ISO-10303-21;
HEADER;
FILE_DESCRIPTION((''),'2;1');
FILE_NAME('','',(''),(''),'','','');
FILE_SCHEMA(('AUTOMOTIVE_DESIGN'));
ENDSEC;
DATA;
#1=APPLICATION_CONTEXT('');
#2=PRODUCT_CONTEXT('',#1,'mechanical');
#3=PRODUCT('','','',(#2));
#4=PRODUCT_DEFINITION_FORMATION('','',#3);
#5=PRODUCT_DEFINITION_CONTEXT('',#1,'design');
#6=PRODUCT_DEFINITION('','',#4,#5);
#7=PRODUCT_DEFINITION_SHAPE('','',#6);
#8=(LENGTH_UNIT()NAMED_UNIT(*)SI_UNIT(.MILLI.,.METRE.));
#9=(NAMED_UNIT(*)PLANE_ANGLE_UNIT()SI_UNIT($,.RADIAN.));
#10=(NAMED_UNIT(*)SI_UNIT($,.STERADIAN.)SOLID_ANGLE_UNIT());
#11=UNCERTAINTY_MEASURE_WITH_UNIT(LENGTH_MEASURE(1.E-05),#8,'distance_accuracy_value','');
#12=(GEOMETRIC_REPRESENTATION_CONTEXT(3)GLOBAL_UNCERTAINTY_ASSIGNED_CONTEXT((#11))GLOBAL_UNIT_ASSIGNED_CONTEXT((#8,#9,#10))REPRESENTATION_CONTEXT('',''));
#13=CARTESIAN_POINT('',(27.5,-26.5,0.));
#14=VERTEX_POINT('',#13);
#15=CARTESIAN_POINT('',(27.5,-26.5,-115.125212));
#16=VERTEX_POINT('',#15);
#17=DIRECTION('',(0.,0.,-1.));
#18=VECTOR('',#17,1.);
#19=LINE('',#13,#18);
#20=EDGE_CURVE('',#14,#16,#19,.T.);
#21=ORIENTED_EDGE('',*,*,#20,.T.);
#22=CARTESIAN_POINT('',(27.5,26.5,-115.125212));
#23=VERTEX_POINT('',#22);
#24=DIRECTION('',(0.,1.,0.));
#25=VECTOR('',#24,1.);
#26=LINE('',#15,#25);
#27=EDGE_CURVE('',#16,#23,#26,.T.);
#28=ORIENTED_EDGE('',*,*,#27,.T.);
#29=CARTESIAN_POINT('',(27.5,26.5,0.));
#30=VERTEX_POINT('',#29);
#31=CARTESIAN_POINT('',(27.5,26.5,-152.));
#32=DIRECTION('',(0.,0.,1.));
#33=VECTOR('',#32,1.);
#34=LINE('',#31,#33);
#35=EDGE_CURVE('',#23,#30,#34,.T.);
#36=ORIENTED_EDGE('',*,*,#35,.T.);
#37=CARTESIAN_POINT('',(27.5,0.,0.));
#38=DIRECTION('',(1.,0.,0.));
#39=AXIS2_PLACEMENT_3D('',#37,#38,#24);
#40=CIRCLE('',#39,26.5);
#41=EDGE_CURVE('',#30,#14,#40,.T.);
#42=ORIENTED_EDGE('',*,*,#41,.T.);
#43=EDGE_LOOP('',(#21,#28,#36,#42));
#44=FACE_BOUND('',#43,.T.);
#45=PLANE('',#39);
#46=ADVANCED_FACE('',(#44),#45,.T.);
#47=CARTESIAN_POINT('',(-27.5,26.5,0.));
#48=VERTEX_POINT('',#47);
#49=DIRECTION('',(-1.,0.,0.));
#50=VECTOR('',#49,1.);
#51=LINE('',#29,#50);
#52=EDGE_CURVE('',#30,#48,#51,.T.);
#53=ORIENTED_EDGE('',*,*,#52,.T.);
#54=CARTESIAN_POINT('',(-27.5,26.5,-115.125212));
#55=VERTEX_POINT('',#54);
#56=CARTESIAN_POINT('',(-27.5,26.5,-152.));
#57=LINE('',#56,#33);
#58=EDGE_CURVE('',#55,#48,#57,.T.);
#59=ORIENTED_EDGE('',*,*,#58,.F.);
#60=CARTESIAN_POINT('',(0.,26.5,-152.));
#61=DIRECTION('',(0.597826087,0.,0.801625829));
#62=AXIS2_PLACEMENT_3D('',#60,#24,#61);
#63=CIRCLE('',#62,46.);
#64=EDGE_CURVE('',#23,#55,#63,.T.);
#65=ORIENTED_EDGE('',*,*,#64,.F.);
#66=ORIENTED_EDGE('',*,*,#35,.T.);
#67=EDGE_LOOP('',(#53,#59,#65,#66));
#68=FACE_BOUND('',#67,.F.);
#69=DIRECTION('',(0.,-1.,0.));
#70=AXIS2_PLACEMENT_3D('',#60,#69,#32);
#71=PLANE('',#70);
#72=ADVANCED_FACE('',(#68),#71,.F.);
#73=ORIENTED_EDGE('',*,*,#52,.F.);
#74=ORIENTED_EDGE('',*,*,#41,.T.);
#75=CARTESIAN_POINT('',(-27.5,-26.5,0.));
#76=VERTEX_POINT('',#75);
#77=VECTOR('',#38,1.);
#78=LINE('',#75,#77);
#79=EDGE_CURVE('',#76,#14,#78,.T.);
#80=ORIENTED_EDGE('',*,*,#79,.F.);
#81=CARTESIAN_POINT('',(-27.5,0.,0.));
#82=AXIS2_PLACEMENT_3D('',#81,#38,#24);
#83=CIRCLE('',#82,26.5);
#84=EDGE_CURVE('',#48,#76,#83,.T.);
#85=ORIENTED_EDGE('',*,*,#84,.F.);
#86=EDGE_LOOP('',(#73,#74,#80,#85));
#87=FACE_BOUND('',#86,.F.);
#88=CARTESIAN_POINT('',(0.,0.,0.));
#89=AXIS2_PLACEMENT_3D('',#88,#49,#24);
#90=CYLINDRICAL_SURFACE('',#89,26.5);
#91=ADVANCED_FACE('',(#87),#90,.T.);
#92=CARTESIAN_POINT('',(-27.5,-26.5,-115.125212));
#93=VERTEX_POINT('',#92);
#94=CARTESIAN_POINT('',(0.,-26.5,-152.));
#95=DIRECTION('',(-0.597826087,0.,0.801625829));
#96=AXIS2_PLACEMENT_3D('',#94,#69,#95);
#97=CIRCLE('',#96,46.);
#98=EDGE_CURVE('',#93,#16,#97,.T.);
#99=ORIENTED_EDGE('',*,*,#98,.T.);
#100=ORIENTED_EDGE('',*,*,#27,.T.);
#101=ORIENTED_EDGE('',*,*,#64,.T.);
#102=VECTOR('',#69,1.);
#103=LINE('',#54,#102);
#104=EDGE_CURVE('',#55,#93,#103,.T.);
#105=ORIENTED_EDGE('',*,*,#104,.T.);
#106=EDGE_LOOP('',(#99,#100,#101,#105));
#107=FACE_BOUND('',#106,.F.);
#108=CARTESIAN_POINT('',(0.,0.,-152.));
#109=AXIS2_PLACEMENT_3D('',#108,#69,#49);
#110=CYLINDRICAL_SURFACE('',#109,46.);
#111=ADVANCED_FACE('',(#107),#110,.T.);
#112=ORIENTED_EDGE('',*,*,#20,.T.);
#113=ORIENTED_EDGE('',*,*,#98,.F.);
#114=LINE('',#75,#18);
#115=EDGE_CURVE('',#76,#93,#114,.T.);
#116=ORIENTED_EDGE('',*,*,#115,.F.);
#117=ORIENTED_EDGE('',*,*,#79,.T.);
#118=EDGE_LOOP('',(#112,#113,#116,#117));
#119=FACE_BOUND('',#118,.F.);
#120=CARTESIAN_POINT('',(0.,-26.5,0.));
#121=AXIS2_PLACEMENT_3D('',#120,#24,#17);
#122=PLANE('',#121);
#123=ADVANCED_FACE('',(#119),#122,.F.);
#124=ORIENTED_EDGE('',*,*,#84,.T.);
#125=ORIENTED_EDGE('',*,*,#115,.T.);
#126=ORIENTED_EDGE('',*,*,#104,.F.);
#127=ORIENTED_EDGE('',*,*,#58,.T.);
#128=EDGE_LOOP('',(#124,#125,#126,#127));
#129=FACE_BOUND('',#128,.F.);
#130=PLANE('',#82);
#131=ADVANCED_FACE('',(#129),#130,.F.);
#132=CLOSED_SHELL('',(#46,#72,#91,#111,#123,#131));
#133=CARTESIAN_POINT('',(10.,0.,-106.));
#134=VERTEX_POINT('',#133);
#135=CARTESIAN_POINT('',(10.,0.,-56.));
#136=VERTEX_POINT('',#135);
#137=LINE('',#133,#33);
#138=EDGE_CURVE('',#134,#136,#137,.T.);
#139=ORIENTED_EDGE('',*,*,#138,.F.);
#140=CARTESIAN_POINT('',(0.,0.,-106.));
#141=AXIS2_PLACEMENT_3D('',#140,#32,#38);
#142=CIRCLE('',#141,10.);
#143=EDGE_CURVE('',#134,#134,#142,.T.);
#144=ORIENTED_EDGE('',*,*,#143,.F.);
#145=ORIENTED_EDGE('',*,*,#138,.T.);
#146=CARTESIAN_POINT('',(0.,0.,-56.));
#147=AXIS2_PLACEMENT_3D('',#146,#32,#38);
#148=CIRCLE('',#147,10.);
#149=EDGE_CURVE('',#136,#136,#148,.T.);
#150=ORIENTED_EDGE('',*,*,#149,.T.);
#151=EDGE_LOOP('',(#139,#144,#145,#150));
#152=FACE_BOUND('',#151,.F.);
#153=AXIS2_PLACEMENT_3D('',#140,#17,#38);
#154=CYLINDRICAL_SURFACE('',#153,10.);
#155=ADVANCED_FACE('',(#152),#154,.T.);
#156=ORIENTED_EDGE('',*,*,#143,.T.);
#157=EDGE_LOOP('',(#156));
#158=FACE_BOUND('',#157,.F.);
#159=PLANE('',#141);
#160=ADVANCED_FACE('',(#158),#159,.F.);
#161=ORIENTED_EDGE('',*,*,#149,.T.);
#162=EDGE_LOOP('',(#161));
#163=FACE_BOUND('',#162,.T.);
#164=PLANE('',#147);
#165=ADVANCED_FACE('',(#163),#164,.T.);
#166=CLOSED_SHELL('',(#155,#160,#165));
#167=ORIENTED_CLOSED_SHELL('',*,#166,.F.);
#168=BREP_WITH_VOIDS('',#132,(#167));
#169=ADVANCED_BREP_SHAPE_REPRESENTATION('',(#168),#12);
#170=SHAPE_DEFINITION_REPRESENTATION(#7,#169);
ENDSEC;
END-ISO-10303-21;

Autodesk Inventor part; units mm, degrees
ref_plane "YZ Plane" through (0, 0, 0) normal (1, 0, 0) x (0, 1, 0)
ref_plane "XZ Plane" through (0, 0, 0) normal (0, 1, 0) x (-1, 0, 0)
sketch "Sketch1" plane through (0, 0, 0) normal (1, 0, 0) x (0, 1, 0)
  circle A0 centre (0, 0) radius 26.5
  line L0 (-26.5, 0) -> (-26.5, -152)
  line L1 (-26.5, -152) -> (26.5, -152)
  line L2 (26.5, -152) -> (26.5, 0)
  dimension "d0" = 53
  dimension "d1" = 152
extrude "Extrusion1" add sketch "Sketch1" along normal mid plane 55
sketch "Sketch2" plane through (0, 0, 0) normal (0, 1, 0) x (-1, 0, 0)
  line L0 (27.5, -152) -> (-27.5, -152) projected
  circle A0 centre (0, -152) radius 46
  point P0 (0, 0)
  dimension "d4" = 92
extrude "Extrusion2" add sketch "Sketch2" along normal mid plane 53
ref_plane "Work Plane1" through (0, 0, -106) normal (0, 0, 1) x (1, 0, 0)
sketch "Sketch3" plane through (0, 0, -106) normal (0, 0, 1) x (1, 0, 0)
  circle A0 centre (0, 0) radius 10
  dimension "d13" = 20
extrude "Extrusion3" cut sketch "Sketch3" along normal blind 50
properties part number "thigh"
